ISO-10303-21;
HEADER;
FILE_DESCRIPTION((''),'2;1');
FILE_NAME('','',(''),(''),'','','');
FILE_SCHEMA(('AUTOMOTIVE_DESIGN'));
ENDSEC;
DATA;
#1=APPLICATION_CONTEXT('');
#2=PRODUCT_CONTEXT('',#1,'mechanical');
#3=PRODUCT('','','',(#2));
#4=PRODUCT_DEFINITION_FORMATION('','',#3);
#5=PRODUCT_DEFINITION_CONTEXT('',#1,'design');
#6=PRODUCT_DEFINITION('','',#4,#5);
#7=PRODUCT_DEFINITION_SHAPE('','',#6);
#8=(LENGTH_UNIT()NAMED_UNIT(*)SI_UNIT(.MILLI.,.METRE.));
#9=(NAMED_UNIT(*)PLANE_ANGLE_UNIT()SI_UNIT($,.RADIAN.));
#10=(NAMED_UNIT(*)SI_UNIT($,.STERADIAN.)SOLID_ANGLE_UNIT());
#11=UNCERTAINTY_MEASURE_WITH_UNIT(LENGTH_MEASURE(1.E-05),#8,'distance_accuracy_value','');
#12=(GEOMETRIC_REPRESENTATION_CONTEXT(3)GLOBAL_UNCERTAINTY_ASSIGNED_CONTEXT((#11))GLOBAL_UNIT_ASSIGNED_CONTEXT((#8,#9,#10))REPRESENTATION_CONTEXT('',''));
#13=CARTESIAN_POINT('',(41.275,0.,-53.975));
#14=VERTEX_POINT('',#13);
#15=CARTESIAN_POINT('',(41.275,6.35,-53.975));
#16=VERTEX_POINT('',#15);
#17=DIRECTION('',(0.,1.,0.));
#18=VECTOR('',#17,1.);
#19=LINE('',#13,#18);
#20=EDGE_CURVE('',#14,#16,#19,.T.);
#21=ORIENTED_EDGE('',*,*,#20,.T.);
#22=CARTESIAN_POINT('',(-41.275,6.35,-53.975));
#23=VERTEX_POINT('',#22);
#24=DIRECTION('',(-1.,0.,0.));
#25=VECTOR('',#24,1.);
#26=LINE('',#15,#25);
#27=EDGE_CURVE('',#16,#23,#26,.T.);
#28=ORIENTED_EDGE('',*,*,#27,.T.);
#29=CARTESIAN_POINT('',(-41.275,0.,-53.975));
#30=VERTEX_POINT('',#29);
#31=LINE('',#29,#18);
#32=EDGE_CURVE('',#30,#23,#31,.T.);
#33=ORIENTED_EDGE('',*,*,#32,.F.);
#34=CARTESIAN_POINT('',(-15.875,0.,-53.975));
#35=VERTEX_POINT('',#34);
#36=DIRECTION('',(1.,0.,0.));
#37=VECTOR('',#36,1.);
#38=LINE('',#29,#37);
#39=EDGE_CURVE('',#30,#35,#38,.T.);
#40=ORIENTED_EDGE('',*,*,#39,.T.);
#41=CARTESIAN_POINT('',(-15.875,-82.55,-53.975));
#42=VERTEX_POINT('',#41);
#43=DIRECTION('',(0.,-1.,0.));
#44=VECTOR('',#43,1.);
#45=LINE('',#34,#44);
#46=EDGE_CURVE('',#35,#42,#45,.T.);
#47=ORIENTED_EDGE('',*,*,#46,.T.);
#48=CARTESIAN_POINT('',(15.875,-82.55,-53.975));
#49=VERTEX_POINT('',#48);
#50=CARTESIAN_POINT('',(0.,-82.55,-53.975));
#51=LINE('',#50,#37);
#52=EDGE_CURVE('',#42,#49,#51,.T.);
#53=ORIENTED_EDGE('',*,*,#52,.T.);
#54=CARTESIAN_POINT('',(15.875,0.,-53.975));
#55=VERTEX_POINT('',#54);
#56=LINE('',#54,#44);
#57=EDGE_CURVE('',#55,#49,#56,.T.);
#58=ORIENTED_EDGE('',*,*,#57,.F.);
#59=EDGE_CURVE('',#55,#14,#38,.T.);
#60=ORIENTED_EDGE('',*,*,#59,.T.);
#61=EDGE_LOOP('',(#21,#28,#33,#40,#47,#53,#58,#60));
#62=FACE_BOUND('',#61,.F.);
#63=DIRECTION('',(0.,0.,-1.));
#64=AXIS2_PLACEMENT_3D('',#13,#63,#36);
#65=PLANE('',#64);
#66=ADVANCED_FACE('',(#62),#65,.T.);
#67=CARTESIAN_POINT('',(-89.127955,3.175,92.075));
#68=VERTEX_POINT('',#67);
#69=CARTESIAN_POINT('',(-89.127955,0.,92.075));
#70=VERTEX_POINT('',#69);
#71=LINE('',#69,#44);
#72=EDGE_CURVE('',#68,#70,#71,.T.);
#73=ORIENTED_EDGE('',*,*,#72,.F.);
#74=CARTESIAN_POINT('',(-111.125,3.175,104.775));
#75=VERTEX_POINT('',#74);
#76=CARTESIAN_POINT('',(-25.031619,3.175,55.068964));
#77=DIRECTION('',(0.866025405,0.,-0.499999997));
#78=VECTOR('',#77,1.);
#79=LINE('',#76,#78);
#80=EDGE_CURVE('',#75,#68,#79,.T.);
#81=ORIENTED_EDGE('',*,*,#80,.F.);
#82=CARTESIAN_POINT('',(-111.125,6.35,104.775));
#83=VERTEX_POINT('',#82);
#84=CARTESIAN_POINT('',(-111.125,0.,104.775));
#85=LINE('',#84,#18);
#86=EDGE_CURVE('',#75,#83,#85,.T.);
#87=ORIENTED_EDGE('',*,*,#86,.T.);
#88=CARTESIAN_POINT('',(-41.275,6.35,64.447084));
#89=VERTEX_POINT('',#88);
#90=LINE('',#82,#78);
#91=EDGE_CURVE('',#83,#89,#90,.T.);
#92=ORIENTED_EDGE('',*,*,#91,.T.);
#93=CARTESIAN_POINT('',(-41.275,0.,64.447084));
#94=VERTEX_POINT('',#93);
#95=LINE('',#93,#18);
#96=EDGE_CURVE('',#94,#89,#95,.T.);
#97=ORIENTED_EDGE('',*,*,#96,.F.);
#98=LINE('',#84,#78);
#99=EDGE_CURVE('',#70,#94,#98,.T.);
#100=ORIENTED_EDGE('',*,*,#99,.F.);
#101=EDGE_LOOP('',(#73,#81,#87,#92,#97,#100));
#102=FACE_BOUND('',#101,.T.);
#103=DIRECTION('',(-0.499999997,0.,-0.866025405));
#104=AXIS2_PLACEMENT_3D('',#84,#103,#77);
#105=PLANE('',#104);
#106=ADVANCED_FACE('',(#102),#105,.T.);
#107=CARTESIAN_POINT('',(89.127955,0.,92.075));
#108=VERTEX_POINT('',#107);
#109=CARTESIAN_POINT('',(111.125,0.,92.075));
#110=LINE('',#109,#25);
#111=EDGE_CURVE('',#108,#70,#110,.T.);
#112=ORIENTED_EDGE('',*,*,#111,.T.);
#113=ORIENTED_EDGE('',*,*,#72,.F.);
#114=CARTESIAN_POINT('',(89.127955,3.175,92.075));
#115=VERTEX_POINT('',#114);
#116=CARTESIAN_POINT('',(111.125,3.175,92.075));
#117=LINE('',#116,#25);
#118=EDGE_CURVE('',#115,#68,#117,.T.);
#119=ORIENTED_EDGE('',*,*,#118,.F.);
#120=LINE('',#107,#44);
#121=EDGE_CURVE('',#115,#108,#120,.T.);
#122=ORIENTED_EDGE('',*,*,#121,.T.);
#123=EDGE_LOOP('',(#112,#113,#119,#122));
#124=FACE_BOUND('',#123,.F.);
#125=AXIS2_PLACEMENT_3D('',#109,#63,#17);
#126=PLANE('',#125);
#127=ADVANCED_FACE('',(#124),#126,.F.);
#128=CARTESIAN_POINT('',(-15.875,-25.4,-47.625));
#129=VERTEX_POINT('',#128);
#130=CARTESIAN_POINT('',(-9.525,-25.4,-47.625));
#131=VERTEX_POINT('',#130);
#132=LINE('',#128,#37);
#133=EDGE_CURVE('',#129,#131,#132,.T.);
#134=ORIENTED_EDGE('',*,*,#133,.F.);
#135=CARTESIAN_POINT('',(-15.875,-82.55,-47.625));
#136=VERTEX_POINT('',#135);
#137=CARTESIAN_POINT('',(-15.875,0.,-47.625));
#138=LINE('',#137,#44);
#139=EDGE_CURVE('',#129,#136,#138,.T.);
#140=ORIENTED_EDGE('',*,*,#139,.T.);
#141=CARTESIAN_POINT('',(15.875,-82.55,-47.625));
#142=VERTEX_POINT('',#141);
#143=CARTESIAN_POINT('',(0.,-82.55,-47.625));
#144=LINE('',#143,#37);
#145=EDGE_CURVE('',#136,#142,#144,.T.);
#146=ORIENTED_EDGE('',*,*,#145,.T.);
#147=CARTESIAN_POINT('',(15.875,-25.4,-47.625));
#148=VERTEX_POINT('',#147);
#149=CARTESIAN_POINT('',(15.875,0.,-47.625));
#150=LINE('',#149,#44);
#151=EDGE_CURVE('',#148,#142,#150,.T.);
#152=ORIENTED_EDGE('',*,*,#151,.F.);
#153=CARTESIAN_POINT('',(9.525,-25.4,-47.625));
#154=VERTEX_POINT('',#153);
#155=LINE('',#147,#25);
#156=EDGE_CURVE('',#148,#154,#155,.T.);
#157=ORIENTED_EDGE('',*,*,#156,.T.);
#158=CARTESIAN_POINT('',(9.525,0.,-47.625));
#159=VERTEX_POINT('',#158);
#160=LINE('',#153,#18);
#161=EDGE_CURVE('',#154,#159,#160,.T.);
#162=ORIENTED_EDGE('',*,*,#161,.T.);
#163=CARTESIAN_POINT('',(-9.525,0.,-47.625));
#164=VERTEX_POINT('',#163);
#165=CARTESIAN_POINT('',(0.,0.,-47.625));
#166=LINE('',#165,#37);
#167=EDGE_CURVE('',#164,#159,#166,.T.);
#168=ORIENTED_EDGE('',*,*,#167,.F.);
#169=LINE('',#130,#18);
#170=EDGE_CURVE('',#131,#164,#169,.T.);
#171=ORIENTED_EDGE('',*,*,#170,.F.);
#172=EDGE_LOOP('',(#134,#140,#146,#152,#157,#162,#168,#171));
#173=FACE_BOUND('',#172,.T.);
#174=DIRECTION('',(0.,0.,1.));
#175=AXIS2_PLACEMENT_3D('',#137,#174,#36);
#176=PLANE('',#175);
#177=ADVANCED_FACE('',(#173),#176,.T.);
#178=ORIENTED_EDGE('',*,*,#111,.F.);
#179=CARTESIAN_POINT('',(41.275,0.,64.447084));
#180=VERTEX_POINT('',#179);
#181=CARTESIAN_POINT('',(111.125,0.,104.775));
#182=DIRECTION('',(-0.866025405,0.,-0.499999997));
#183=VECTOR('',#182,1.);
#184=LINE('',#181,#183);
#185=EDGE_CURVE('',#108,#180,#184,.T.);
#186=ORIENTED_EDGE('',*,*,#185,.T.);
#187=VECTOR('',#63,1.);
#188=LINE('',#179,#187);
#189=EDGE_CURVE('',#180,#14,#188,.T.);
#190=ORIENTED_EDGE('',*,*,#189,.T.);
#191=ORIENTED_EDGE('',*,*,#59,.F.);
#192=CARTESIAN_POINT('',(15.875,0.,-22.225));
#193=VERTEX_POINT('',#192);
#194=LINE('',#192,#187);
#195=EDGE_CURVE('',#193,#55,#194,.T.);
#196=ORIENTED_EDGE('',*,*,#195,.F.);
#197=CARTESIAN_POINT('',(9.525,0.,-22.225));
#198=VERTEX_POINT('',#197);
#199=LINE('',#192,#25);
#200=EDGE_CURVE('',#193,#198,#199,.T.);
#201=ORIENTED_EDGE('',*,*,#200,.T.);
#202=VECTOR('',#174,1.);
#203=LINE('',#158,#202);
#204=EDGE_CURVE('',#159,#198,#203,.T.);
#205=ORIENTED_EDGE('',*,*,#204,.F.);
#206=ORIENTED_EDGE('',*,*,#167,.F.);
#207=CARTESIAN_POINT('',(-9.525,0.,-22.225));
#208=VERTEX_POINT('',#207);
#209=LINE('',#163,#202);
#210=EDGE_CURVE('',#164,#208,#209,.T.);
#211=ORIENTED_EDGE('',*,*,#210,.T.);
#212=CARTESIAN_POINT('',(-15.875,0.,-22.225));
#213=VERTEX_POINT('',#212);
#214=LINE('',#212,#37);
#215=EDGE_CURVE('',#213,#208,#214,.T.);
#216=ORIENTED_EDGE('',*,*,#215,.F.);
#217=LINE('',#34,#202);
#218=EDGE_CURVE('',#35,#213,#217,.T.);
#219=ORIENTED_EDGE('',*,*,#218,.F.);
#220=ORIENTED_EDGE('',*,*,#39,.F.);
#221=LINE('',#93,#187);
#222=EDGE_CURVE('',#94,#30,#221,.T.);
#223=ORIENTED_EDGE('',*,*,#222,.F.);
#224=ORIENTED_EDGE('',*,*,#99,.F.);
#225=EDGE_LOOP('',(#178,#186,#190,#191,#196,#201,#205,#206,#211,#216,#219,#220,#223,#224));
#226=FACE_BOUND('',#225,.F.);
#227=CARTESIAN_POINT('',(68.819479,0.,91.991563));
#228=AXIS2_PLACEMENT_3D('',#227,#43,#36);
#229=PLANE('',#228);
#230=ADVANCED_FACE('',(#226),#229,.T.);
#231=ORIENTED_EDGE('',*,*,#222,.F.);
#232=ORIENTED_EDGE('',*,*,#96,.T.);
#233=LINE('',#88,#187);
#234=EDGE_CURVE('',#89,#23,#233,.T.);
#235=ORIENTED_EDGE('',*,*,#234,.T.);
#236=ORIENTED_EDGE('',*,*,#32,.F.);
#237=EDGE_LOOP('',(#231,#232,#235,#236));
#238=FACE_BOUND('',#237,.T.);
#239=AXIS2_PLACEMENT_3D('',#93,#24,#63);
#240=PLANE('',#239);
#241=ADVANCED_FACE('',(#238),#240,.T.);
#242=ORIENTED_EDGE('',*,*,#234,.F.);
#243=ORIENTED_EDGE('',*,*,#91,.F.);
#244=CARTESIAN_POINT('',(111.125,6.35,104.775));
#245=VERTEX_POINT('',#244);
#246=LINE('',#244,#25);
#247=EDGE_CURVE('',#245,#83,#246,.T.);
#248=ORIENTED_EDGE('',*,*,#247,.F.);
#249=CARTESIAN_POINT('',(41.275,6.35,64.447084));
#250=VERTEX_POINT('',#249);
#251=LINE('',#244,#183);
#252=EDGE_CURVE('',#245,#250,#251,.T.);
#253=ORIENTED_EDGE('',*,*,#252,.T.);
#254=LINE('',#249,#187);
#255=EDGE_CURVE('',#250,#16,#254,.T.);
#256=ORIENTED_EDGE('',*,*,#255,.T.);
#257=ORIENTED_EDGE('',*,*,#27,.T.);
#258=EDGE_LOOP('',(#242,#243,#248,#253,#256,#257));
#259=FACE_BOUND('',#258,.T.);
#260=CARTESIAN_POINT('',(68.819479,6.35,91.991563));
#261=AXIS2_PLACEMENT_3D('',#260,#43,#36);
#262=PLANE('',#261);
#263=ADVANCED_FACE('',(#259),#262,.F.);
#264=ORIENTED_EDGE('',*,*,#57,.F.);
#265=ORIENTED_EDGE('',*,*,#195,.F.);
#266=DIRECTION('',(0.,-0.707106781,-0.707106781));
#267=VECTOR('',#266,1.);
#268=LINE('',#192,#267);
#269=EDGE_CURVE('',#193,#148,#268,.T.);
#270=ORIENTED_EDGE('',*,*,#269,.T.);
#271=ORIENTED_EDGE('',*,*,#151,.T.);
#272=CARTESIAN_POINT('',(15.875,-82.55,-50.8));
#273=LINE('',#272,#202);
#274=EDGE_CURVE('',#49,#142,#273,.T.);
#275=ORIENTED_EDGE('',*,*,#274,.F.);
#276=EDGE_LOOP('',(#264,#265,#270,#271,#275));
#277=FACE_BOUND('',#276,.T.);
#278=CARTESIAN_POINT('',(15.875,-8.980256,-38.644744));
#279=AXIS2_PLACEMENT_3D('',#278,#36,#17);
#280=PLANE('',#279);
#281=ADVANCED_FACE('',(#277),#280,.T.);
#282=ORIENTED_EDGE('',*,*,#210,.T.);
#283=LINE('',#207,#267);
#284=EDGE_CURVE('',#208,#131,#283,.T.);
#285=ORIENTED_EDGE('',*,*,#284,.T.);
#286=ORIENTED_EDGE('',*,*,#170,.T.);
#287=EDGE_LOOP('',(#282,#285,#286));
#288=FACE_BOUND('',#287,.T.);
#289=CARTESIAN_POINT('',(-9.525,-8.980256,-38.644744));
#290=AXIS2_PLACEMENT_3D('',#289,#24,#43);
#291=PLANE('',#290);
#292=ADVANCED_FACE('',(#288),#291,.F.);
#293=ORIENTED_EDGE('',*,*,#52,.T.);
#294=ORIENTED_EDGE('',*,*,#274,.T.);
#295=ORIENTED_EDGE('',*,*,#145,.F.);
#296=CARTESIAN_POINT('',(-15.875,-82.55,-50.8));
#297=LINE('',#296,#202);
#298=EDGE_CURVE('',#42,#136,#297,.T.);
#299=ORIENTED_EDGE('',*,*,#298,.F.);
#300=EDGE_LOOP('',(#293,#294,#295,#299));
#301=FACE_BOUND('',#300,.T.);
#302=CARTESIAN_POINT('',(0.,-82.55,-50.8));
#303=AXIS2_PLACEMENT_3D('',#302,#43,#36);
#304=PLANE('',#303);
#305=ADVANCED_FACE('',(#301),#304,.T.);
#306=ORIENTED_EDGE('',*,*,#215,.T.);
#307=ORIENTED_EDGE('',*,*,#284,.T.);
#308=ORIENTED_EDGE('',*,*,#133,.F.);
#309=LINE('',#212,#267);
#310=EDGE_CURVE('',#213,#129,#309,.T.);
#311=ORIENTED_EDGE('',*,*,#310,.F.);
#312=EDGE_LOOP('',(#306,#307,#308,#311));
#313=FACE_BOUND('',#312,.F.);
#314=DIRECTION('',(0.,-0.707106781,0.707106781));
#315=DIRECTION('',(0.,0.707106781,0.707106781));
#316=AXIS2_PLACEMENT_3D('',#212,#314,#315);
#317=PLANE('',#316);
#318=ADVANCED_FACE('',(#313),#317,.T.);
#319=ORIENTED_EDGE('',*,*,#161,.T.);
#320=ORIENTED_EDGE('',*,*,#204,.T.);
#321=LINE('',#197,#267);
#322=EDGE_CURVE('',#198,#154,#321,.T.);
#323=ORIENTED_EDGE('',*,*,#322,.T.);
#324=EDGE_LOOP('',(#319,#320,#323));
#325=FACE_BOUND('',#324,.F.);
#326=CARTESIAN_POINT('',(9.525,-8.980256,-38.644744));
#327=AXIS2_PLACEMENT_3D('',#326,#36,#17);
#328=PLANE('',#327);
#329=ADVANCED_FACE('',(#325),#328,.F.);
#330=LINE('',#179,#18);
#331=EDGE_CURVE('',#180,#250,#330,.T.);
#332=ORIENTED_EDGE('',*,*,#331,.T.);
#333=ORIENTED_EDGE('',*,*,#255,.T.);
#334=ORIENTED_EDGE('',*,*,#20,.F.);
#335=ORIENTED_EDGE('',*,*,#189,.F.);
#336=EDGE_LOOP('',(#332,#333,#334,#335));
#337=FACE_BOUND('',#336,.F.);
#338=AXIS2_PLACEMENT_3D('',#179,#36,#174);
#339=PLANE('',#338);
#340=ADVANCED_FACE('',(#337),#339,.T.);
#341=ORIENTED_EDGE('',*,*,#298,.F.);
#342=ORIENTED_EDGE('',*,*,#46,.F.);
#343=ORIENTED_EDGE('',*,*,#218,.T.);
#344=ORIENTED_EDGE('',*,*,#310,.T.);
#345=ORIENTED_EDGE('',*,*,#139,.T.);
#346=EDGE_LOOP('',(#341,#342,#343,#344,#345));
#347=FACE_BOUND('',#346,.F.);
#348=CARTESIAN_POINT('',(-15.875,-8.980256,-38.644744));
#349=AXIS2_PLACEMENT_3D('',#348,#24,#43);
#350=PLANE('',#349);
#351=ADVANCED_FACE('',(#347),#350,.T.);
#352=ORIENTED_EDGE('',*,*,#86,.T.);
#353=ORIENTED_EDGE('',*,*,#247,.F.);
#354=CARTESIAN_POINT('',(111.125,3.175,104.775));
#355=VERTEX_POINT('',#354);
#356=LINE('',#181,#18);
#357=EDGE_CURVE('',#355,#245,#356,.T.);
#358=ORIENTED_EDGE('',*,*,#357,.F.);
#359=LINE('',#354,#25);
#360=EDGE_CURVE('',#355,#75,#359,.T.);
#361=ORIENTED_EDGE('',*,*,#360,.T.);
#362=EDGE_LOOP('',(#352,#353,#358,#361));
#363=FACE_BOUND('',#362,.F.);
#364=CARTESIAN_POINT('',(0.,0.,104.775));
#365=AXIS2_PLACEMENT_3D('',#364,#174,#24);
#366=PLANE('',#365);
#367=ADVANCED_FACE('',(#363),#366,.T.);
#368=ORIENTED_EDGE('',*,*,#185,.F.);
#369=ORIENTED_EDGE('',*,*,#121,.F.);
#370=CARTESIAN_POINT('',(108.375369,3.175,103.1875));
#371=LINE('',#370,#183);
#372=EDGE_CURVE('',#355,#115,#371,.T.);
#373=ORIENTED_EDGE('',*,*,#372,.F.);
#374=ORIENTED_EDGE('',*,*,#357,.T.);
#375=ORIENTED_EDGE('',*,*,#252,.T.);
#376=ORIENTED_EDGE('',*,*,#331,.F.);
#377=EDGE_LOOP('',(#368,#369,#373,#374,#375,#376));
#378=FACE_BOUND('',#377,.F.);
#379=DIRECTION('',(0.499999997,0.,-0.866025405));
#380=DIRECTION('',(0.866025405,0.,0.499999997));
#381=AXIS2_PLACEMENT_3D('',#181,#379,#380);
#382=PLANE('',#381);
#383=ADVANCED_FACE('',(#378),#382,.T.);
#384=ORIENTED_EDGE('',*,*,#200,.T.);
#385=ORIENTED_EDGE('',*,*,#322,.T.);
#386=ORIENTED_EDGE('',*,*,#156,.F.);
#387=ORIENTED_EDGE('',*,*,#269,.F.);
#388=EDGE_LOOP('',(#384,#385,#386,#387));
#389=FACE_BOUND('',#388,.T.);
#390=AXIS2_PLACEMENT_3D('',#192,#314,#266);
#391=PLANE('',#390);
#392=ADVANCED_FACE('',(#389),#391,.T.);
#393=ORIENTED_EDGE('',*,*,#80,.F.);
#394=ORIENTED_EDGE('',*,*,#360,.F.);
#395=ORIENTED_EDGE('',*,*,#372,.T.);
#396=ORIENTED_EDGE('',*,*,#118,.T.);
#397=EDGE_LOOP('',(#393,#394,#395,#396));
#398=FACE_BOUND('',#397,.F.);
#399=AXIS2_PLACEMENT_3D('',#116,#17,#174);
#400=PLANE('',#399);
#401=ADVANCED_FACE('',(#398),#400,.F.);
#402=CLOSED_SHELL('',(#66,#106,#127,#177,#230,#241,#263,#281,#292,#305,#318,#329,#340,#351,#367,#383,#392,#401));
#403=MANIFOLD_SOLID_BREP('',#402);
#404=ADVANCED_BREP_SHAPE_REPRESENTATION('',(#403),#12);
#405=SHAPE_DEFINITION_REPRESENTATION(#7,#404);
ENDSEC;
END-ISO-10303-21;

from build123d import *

# Parameters (mm, degrees)
F1_DEPTH  = 6.35
F3_W      = 31.75
F3_H      = 6.35
F4_DEPTH  = 82.55
F6_DEPTH  = 6.35
F9_W      = 3.175
F9_H      = 12.7
F10_DEPTH = 222.25


with BuildPart() as f1:
    # F0 (on Front) → F1 (new body)
    with BuildSketch(Plane.XZ):
        Polygon((-41.275, 64.447084), (-41.275, 104.775), (-111.125, 104.775), align=None)
        Polygon((0, 104.775), (-41.275, 104.775), (-41.275, 64.447084), (-41.275, -53.975), (0, -53.975), align=None)
    extrude(amount=-F1_DEPTH)

    # F2: F1 across plane


with BuildPart() as f1_1:
    add(f1.part)
    add(f1.part.mirror(Plane.YZ))

    # F3 (on Front) → F4 (join)
    with BuildSketch(Plane.XZ):
        with Locations((0, -50.8)):
            Rectangle(F3_W, F3_H)
    extrude(amount=F4_DEPTH)

    # F5 (on face) → F6 (join)
    with BuildSketch(Plane.YZ.offset(15.875)):
        Polygon((0, -22.225), (-25.4, -47.625), (0, -47.625), align=None)
    extrude(amount=-F6_DEPTH)

    # F7: F1 across plane


with BuildPart() as f1_2:
    add(f1_1.part)
    add(f1_1.part.mirror(Plane.YZ))

    # F9 (on offset) → F10 (cut)
    with BuildSketch(Plane.YZ.offset(111.125)):
        with Locations((1.5875, 98.425)):
            Rectangle(F9_W, F9_H)
    extrude(amount=-F10_DEPTH, mode=Mode.SUBTRACT)


solid = f1_2.part
